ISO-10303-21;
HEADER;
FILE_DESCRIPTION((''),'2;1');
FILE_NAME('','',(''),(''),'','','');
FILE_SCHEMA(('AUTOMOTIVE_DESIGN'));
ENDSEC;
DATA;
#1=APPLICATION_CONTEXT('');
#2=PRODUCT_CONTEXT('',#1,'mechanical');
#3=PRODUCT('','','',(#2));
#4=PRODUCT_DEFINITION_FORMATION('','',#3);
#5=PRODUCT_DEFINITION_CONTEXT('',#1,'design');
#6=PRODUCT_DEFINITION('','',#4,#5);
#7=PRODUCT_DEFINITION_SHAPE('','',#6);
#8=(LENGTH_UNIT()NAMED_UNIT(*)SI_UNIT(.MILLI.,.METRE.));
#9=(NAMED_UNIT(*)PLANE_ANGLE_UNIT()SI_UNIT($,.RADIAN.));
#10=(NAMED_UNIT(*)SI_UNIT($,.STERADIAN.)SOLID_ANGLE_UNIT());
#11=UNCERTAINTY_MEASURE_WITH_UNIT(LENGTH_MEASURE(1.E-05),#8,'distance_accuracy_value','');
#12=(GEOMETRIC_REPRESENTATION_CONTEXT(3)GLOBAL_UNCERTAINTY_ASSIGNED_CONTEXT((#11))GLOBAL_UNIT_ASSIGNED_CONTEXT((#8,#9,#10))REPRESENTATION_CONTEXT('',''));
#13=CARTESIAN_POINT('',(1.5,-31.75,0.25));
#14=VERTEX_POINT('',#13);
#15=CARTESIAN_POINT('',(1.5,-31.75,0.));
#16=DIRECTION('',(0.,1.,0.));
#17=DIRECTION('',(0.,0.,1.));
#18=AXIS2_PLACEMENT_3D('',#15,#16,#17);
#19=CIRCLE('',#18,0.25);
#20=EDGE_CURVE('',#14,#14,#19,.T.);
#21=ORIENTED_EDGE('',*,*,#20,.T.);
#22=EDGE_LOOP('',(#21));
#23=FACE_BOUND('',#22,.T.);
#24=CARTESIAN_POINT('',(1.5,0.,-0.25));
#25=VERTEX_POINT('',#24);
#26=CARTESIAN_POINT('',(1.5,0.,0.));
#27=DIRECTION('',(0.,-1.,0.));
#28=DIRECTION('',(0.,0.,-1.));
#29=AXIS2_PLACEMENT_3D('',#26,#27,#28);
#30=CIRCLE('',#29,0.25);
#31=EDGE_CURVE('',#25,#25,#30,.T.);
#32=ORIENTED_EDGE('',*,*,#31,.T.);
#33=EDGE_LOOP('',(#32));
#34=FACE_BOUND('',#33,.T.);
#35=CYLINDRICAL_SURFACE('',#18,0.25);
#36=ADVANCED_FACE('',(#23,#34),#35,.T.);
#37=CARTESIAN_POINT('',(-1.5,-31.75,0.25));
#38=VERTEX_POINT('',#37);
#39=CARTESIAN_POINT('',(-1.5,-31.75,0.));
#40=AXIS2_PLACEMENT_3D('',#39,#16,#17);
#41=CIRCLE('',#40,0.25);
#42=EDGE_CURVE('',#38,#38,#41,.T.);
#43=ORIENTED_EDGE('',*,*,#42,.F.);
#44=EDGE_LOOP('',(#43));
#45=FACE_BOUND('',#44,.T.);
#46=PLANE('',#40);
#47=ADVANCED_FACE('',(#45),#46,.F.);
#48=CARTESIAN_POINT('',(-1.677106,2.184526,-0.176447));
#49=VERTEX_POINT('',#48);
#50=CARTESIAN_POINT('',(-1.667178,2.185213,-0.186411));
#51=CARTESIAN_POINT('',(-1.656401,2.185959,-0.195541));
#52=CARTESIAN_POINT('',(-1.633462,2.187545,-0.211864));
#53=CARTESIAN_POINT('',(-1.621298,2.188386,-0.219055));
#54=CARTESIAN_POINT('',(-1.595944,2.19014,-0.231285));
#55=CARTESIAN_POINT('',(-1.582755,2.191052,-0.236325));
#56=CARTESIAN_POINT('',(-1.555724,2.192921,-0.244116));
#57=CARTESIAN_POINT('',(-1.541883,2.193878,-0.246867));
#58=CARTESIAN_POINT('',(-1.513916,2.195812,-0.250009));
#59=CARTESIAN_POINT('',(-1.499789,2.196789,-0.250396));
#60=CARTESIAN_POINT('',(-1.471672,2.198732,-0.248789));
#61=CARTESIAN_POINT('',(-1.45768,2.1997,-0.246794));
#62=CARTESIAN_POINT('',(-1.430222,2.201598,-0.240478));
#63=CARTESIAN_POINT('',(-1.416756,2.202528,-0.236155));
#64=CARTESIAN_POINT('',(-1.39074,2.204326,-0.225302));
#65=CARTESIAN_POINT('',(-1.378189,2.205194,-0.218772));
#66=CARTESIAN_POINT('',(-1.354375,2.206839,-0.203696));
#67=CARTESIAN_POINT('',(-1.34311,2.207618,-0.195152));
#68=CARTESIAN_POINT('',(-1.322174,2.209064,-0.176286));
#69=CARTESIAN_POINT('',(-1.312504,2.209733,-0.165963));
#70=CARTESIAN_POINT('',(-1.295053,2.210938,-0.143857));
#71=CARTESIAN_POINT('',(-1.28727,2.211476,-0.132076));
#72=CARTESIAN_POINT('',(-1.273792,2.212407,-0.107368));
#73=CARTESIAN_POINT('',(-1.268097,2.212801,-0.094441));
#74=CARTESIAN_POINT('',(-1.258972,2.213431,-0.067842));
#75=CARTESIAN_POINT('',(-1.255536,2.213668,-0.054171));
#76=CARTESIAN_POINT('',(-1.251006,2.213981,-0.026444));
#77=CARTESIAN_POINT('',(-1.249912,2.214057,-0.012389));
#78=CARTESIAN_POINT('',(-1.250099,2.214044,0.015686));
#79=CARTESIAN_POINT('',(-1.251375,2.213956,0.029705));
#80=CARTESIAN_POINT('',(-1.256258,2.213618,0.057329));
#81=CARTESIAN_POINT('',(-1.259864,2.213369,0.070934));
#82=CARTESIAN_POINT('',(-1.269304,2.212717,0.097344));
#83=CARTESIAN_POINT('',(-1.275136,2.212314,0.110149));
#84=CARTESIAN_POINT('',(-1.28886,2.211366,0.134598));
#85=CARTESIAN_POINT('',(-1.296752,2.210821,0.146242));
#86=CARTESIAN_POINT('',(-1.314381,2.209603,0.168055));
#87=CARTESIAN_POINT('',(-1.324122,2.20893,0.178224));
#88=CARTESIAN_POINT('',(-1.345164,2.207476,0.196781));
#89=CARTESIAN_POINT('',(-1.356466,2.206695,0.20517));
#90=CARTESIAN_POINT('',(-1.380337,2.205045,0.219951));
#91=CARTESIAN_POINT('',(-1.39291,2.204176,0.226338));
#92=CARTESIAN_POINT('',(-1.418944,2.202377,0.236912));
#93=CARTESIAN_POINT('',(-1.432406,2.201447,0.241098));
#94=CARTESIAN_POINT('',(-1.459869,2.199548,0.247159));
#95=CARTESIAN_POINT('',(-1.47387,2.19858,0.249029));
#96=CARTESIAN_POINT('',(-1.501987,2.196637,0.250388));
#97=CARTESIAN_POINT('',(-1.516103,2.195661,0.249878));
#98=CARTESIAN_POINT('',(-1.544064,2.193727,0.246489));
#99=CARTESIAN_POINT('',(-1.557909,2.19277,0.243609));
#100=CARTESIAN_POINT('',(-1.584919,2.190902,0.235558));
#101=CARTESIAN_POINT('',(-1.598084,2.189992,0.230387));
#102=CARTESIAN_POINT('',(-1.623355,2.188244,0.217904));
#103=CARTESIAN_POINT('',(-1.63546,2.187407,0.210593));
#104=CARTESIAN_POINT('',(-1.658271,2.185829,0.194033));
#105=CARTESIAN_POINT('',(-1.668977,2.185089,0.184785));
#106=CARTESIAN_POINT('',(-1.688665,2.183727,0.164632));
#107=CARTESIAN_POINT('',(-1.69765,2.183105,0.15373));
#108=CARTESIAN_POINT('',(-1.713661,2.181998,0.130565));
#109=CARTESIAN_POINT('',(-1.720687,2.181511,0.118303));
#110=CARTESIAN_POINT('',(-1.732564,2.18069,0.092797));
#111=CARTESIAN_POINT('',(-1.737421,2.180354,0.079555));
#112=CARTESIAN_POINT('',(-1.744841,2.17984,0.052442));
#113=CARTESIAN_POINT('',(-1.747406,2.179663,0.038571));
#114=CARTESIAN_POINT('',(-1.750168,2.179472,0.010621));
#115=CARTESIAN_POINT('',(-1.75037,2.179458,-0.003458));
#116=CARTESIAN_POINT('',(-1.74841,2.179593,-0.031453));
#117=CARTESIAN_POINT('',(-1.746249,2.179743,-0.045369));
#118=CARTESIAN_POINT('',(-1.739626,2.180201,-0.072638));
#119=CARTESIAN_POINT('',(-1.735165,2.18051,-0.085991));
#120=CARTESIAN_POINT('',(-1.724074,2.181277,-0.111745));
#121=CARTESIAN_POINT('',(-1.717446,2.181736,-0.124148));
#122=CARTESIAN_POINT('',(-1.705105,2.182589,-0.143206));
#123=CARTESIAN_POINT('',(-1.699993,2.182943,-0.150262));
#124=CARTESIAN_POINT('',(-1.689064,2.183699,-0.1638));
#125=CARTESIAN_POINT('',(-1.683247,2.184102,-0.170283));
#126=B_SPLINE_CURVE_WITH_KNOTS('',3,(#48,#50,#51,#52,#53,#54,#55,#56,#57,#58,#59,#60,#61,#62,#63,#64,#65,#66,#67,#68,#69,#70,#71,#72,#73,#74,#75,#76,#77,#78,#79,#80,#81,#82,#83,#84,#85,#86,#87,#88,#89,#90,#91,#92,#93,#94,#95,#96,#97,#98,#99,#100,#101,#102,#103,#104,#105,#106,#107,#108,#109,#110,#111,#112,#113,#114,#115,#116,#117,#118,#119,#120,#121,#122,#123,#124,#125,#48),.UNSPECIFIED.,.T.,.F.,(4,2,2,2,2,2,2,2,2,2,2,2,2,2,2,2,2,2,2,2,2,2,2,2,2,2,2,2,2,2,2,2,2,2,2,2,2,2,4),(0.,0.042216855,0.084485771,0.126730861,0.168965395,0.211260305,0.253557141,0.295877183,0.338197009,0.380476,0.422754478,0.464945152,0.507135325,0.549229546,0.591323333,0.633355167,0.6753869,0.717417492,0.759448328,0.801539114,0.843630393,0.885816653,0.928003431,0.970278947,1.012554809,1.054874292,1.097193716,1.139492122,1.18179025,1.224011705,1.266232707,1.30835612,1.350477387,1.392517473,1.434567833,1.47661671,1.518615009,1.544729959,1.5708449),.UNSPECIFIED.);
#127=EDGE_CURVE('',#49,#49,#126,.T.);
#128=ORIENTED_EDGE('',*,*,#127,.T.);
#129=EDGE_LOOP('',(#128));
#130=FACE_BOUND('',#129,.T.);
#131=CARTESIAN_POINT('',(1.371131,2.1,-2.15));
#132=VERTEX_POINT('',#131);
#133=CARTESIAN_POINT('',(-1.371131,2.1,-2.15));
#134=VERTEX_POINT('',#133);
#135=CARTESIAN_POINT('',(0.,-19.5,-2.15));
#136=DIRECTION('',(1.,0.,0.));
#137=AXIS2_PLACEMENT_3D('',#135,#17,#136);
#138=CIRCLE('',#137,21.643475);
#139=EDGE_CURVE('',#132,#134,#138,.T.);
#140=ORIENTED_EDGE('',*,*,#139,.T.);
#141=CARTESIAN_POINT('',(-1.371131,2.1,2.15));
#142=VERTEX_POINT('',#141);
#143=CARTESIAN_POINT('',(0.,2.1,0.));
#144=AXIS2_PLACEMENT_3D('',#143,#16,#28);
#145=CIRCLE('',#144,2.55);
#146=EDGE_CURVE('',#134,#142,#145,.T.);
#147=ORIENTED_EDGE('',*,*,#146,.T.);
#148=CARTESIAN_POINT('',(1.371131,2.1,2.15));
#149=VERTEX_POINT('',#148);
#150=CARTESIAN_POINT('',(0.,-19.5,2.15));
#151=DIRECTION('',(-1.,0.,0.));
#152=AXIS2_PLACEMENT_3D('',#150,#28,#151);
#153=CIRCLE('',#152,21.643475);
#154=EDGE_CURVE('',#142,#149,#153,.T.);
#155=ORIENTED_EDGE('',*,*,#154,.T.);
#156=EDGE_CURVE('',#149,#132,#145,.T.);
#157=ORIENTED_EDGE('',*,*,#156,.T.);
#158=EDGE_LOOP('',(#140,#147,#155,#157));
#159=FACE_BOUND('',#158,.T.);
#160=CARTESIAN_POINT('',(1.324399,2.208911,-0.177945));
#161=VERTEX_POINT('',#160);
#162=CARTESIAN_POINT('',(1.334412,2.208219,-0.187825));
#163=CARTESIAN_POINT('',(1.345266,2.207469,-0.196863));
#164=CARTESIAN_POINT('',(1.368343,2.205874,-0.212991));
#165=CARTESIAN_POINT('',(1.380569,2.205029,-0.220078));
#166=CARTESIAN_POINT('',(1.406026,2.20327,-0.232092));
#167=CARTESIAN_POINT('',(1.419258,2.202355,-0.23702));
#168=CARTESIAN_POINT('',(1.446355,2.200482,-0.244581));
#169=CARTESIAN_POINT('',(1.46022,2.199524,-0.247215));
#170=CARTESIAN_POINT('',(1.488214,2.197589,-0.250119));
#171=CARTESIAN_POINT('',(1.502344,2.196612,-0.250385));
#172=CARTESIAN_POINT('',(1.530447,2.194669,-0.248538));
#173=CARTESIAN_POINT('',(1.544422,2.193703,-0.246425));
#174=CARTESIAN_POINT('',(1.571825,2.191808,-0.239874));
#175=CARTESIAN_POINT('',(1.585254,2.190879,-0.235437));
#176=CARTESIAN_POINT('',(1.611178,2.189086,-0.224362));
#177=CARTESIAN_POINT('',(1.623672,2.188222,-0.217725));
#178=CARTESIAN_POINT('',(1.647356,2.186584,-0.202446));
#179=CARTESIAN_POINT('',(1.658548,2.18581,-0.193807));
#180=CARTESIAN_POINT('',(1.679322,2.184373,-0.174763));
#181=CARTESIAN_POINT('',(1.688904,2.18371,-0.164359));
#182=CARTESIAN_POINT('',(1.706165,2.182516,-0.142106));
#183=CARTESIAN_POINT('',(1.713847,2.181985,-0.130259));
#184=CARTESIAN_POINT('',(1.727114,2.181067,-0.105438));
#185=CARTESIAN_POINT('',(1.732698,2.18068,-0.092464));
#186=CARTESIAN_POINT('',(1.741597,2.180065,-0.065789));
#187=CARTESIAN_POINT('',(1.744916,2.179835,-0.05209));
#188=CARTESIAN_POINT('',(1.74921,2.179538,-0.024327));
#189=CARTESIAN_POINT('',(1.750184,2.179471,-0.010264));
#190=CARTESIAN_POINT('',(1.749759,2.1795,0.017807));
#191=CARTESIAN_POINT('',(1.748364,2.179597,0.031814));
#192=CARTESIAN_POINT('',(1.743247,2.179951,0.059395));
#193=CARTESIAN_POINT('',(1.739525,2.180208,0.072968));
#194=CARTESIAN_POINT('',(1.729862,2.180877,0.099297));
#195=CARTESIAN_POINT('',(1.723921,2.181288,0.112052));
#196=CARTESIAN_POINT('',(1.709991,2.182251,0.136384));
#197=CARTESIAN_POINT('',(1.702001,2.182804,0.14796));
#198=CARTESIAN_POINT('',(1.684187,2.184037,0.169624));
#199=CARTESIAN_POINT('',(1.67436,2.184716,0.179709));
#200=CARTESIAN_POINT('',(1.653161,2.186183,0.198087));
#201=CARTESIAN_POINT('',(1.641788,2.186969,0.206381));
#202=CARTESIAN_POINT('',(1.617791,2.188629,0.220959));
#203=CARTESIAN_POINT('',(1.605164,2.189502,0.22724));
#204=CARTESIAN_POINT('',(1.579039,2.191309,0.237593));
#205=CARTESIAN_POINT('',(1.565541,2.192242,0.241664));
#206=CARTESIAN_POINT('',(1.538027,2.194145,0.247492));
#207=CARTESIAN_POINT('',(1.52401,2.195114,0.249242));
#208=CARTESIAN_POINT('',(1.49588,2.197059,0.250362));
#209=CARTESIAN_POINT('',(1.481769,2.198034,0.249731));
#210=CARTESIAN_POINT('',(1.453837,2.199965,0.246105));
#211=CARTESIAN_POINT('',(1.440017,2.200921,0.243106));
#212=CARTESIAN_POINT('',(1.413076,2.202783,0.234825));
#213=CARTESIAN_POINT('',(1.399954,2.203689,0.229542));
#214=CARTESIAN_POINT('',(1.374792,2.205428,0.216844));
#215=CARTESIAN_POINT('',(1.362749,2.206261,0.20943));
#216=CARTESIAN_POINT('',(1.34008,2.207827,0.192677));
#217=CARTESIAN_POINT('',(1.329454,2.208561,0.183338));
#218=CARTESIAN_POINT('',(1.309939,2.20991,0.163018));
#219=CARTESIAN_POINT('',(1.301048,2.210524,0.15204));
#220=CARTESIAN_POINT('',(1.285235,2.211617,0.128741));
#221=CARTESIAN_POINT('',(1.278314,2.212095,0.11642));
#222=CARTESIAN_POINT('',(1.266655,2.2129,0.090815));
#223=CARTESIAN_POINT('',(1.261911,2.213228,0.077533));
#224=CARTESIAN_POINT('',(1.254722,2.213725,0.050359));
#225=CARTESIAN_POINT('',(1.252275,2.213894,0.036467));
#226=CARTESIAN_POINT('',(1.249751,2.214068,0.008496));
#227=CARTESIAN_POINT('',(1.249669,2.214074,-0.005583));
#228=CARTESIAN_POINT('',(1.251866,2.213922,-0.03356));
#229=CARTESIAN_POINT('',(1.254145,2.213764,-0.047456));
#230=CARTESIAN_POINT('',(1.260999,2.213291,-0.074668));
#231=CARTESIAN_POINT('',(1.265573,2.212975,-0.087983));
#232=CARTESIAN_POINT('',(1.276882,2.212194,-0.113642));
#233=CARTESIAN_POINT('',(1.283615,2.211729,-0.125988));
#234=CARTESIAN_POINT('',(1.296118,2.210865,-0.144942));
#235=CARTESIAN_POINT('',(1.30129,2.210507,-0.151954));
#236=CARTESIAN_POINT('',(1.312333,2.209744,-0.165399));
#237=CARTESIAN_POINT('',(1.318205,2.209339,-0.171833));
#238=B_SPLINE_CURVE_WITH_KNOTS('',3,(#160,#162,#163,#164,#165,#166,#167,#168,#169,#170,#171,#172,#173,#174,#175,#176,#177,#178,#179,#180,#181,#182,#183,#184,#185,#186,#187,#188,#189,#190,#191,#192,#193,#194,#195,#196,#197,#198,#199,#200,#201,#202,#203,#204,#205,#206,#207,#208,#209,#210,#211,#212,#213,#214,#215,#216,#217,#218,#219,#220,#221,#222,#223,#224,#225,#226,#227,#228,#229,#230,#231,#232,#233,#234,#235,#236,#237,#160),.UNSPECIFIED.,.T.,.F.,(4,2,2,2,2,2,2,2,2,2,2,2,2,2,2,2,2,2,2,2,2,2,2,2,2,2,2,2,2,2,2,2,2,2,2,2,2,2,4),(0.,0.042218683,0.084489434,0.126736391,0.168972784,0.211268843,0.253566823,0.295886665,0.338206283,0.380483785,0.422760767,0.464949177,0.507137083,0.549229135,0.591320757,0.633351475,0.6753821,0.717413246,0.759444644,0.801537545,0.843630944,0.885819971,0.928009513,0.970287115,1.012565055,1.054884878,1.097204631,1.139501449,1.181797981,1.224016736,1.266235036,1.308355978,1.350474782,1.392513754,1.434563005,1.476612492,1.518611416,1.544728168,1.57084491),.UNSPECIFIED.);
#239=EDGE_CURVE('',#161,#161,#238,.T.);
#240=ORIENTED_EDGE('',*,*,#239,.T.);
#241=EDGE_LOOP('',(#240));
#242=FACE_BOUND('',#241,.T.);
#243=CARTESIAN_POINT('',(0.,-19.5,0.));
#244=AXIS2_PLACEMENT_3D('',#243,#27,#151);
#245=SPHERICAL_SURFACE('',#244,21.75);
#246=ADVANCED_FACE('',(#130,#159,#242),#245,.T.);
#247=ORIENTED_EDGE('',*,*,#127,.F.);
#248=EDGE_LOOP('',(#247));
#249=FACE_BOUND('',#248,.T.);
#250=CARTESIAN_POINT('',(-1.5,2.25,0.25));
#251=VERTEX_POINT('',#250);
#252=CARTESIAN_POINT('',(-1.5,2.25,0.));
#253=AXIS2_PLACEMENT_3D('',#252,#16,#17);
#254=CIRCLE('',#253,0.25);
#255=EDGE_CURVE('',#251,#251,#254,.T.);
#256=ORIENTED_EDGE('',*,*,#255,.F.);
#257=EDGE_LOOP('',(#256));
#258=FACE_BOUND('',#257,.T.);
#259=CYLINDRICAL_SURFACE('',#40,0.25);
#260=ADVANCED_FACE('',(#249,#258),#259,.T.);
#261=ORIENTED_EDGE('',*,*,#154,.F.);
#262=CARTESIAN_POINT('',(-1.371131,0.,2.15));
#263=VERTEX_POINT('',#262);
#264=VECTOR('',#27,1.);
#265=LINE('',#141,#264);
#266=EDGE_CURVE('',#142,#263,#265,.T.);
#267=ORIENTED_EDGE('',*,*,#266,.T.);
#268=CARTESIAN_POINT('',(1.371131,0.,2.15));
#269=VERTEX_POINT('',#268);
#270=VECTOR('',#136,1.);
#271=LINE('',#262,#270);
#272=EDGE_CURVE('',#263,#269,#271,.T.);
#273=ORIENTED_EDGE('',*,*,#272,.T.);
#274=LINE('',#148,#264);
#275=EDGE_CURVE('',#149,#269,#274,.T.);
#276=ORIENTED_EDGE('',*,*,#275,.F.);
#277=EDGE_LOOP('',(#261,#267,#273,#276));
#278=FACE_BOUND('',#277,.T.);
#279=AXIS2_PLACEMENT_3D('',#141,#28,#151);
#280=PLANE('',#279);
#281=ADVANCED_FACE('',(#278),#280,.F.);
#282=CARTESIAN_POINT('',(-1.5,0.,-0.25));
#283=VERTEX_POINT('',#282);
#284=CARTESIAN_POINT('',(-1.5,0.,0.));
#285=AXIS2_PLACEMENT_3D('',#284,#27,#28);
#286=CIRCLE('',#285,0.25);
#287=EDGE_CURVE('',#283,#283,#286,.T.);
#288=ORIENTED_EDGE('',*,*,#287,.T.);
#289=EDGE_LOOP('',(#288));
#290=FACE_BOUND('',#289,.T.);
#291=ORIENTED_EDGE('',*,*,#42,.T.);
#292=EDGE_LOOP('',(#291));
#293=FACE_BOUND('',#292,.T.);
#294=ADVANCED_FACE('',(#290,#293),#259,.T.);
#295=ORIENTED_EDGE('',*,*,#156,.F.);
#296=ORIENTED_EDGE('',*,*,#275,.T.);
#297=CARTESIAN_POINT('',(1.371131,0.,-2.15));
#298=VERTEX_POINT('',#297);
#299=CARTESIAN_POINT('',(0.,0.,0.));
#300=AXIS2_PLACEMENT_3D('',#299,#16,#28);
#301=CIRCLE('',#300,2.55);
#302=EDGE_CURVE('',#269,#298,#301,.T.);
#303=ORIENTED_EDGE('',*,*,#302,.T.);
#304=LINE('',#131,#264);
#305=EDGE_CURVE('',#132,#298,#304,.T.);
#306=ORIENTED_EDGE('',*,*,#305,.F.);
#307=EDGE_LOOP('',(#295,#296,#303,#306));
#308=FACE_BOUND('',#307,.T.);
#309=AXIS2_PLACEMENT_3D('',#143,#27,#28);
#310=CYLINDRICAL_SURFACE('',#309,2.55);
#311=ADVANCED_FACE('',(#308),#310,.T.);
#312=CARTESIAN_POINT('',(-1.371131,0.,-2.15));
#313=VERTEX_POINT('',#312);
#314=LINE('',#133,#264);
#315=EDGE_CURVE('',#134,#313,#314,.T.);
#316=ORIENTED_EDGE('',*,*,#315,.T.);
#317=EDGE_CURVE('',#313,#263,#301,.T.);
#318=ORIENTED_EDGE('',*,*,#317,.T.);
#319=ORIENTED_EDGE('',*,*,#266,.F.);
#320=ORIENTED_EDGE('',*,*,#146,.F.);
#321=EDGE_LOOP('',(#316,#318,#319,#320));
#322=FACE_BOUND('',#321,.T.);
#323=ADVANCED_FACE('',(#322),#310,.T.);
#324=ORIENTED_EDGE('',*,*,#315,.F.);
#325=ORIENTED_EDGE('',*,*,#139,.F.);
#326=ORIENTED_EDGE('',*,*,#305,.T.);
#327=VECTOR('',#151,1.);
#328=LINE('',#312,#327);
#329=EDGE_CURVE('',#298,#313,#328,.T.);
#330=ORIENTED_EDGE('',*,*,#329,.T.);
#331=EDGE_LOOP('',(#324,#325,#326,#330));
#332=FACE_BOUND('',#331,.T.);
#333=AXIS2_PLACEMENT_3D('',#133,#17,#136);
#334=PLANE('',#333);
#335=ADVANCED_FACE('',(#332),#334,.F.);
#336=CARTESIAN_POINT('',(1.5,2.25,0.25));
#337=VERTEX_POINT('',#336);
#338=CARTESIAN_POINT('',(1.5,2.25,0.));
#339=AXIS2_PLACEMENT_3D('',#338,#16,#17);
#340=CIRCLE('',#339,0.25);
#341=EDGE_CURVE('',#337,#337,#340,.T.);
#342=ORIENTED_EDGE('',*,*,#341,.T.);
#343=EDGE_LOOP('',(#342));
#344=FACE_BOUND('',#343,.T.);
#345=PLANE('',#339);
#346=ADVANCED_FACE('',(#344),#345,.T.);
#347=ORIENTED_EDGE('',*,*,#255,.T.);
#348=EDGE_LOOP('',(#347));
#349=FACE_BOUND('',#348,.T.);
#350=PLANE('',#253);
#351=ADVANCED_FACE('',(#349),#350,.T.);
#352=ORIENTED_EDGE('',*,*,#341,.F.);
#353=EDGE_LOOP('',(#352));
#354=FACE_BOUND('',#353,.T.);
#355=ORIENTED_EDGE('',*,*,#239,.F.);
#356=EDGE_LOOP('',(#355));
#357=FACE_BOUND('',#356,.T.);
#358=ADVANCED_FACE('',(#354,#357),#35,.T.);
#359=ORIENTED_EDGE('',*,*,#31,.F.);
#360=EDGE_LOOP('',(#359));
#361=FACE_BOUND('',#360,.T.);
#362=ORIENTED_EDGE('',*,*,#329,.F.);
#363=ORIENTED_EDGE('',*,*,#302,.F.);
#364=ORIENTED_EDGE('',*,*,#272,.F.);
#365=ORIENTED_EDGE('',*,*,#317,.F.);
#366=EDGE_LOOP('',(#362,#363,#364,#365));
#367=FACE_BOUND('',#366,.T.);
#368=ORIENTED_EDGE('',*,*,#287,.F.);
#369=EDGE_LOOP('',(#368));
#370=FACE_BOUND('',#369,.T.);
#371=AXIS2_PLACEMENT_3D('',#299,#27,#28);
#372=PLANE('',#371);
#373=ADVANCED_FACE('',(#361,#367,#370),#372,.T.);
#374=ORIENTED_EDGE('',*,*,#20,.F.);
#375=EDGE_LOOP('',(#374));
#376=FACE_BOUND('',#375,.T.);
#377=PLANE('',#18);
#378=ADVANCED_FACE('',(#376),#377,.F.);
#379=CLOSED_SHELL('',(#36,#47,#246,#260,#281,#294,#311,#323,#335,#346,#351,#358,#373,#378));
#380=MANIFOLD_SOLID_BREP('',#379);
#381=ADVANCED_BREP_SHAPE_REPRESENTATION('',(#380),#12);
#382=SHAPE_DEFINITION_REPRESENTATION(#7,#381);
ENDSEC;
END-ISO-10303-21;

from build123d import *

# Parameters (mm, degrees)
BOSS_EXTRU_1_DEPTH      = 2.1
ESQUISSE3_W             = 2.74226184
ESQUISSE3_H             = 0.472482842
ENL_V_MAT_EXTRU_1_DEPTH = 2.1
ESQUISSE5_R             = 0.25
BOSS_EXTRU_2_DEPTH      = 34


with BuildPart() as part:
    # Esquisse1 → Boss.-Extru.1 (new body)
    with BuildSketch(Plane(origin=(0, 0, 0), x_dir=(1, 0, 0), z_dir=(0, 1, 0))):
        with BuildLine():
            Line((-1.37113092, -2.15), (1.37113092, -2.15))
            ThreePointArc((1.37113092, -2.15), (2.55, 0), (1.37113092, 2.15))
            Line((1.37113092, 2.15), (-1.37113092, 2.15))
            ThreePointArc((-1.37113092, 2.15), (-2.55, 0), (-1.37113092, -2.15))
        make_face()
    extrude(amount=BOSS_EXTRU_1_DEPTH)

    # Esquisse2 → Révolution1 (revolve)
    with BuildSketch(Plane.XY):
        with BuildLine():
            Line((0, 2.1), (0, 2.25))
            ThreePointArc((0, 2.25), (-1.277203977, 2.212467617), (-2.55, 2.1))
            Line((-2.55, 2.1), (0, 2.1))
        make_face()
    revolve(axis=Axis((0, 2.1, 0), (0, 1, 0)))

    # Esquisse3 → Enlèv. mat.-Extru.1 (cut)
    with BuildSketch(Plane.XZ.offset(-2.1)):
        with Locations((0, -2.386241421)):
            Rectangle(ESQUISSE3_W, ESQUISSE3_H)
        Polygon((-1.37113092, 2.15), (-1.37113092, 2.636321801), (1.307781681, 2.636321801), (1.37113092, 2.15), align=None)
    extrude(amount=-ENL_V_MAT_EXTRU_1_DEPTH, mode=Mode.SUBTRACT)

    # Esquisse5 → Boss.-Extru.2 (add)
    with BuildSketch(Plane(origin=(0, 2.25, 0), x_dir=(1, 0, 0), z_dir=(0, 1, 0))):
        with Locations(Location((-1.5, 0, 0), (0, 0, 270))):
            Circle(ESQUISSE5_R)
        with Locations(Location((1.5, 0, 0), (0, 0, 270))):
            Circle(ESQUISSE5_R)
    extrude(amount=-BOSS_EXTRU_2_DEPTH)


solid = part.part
